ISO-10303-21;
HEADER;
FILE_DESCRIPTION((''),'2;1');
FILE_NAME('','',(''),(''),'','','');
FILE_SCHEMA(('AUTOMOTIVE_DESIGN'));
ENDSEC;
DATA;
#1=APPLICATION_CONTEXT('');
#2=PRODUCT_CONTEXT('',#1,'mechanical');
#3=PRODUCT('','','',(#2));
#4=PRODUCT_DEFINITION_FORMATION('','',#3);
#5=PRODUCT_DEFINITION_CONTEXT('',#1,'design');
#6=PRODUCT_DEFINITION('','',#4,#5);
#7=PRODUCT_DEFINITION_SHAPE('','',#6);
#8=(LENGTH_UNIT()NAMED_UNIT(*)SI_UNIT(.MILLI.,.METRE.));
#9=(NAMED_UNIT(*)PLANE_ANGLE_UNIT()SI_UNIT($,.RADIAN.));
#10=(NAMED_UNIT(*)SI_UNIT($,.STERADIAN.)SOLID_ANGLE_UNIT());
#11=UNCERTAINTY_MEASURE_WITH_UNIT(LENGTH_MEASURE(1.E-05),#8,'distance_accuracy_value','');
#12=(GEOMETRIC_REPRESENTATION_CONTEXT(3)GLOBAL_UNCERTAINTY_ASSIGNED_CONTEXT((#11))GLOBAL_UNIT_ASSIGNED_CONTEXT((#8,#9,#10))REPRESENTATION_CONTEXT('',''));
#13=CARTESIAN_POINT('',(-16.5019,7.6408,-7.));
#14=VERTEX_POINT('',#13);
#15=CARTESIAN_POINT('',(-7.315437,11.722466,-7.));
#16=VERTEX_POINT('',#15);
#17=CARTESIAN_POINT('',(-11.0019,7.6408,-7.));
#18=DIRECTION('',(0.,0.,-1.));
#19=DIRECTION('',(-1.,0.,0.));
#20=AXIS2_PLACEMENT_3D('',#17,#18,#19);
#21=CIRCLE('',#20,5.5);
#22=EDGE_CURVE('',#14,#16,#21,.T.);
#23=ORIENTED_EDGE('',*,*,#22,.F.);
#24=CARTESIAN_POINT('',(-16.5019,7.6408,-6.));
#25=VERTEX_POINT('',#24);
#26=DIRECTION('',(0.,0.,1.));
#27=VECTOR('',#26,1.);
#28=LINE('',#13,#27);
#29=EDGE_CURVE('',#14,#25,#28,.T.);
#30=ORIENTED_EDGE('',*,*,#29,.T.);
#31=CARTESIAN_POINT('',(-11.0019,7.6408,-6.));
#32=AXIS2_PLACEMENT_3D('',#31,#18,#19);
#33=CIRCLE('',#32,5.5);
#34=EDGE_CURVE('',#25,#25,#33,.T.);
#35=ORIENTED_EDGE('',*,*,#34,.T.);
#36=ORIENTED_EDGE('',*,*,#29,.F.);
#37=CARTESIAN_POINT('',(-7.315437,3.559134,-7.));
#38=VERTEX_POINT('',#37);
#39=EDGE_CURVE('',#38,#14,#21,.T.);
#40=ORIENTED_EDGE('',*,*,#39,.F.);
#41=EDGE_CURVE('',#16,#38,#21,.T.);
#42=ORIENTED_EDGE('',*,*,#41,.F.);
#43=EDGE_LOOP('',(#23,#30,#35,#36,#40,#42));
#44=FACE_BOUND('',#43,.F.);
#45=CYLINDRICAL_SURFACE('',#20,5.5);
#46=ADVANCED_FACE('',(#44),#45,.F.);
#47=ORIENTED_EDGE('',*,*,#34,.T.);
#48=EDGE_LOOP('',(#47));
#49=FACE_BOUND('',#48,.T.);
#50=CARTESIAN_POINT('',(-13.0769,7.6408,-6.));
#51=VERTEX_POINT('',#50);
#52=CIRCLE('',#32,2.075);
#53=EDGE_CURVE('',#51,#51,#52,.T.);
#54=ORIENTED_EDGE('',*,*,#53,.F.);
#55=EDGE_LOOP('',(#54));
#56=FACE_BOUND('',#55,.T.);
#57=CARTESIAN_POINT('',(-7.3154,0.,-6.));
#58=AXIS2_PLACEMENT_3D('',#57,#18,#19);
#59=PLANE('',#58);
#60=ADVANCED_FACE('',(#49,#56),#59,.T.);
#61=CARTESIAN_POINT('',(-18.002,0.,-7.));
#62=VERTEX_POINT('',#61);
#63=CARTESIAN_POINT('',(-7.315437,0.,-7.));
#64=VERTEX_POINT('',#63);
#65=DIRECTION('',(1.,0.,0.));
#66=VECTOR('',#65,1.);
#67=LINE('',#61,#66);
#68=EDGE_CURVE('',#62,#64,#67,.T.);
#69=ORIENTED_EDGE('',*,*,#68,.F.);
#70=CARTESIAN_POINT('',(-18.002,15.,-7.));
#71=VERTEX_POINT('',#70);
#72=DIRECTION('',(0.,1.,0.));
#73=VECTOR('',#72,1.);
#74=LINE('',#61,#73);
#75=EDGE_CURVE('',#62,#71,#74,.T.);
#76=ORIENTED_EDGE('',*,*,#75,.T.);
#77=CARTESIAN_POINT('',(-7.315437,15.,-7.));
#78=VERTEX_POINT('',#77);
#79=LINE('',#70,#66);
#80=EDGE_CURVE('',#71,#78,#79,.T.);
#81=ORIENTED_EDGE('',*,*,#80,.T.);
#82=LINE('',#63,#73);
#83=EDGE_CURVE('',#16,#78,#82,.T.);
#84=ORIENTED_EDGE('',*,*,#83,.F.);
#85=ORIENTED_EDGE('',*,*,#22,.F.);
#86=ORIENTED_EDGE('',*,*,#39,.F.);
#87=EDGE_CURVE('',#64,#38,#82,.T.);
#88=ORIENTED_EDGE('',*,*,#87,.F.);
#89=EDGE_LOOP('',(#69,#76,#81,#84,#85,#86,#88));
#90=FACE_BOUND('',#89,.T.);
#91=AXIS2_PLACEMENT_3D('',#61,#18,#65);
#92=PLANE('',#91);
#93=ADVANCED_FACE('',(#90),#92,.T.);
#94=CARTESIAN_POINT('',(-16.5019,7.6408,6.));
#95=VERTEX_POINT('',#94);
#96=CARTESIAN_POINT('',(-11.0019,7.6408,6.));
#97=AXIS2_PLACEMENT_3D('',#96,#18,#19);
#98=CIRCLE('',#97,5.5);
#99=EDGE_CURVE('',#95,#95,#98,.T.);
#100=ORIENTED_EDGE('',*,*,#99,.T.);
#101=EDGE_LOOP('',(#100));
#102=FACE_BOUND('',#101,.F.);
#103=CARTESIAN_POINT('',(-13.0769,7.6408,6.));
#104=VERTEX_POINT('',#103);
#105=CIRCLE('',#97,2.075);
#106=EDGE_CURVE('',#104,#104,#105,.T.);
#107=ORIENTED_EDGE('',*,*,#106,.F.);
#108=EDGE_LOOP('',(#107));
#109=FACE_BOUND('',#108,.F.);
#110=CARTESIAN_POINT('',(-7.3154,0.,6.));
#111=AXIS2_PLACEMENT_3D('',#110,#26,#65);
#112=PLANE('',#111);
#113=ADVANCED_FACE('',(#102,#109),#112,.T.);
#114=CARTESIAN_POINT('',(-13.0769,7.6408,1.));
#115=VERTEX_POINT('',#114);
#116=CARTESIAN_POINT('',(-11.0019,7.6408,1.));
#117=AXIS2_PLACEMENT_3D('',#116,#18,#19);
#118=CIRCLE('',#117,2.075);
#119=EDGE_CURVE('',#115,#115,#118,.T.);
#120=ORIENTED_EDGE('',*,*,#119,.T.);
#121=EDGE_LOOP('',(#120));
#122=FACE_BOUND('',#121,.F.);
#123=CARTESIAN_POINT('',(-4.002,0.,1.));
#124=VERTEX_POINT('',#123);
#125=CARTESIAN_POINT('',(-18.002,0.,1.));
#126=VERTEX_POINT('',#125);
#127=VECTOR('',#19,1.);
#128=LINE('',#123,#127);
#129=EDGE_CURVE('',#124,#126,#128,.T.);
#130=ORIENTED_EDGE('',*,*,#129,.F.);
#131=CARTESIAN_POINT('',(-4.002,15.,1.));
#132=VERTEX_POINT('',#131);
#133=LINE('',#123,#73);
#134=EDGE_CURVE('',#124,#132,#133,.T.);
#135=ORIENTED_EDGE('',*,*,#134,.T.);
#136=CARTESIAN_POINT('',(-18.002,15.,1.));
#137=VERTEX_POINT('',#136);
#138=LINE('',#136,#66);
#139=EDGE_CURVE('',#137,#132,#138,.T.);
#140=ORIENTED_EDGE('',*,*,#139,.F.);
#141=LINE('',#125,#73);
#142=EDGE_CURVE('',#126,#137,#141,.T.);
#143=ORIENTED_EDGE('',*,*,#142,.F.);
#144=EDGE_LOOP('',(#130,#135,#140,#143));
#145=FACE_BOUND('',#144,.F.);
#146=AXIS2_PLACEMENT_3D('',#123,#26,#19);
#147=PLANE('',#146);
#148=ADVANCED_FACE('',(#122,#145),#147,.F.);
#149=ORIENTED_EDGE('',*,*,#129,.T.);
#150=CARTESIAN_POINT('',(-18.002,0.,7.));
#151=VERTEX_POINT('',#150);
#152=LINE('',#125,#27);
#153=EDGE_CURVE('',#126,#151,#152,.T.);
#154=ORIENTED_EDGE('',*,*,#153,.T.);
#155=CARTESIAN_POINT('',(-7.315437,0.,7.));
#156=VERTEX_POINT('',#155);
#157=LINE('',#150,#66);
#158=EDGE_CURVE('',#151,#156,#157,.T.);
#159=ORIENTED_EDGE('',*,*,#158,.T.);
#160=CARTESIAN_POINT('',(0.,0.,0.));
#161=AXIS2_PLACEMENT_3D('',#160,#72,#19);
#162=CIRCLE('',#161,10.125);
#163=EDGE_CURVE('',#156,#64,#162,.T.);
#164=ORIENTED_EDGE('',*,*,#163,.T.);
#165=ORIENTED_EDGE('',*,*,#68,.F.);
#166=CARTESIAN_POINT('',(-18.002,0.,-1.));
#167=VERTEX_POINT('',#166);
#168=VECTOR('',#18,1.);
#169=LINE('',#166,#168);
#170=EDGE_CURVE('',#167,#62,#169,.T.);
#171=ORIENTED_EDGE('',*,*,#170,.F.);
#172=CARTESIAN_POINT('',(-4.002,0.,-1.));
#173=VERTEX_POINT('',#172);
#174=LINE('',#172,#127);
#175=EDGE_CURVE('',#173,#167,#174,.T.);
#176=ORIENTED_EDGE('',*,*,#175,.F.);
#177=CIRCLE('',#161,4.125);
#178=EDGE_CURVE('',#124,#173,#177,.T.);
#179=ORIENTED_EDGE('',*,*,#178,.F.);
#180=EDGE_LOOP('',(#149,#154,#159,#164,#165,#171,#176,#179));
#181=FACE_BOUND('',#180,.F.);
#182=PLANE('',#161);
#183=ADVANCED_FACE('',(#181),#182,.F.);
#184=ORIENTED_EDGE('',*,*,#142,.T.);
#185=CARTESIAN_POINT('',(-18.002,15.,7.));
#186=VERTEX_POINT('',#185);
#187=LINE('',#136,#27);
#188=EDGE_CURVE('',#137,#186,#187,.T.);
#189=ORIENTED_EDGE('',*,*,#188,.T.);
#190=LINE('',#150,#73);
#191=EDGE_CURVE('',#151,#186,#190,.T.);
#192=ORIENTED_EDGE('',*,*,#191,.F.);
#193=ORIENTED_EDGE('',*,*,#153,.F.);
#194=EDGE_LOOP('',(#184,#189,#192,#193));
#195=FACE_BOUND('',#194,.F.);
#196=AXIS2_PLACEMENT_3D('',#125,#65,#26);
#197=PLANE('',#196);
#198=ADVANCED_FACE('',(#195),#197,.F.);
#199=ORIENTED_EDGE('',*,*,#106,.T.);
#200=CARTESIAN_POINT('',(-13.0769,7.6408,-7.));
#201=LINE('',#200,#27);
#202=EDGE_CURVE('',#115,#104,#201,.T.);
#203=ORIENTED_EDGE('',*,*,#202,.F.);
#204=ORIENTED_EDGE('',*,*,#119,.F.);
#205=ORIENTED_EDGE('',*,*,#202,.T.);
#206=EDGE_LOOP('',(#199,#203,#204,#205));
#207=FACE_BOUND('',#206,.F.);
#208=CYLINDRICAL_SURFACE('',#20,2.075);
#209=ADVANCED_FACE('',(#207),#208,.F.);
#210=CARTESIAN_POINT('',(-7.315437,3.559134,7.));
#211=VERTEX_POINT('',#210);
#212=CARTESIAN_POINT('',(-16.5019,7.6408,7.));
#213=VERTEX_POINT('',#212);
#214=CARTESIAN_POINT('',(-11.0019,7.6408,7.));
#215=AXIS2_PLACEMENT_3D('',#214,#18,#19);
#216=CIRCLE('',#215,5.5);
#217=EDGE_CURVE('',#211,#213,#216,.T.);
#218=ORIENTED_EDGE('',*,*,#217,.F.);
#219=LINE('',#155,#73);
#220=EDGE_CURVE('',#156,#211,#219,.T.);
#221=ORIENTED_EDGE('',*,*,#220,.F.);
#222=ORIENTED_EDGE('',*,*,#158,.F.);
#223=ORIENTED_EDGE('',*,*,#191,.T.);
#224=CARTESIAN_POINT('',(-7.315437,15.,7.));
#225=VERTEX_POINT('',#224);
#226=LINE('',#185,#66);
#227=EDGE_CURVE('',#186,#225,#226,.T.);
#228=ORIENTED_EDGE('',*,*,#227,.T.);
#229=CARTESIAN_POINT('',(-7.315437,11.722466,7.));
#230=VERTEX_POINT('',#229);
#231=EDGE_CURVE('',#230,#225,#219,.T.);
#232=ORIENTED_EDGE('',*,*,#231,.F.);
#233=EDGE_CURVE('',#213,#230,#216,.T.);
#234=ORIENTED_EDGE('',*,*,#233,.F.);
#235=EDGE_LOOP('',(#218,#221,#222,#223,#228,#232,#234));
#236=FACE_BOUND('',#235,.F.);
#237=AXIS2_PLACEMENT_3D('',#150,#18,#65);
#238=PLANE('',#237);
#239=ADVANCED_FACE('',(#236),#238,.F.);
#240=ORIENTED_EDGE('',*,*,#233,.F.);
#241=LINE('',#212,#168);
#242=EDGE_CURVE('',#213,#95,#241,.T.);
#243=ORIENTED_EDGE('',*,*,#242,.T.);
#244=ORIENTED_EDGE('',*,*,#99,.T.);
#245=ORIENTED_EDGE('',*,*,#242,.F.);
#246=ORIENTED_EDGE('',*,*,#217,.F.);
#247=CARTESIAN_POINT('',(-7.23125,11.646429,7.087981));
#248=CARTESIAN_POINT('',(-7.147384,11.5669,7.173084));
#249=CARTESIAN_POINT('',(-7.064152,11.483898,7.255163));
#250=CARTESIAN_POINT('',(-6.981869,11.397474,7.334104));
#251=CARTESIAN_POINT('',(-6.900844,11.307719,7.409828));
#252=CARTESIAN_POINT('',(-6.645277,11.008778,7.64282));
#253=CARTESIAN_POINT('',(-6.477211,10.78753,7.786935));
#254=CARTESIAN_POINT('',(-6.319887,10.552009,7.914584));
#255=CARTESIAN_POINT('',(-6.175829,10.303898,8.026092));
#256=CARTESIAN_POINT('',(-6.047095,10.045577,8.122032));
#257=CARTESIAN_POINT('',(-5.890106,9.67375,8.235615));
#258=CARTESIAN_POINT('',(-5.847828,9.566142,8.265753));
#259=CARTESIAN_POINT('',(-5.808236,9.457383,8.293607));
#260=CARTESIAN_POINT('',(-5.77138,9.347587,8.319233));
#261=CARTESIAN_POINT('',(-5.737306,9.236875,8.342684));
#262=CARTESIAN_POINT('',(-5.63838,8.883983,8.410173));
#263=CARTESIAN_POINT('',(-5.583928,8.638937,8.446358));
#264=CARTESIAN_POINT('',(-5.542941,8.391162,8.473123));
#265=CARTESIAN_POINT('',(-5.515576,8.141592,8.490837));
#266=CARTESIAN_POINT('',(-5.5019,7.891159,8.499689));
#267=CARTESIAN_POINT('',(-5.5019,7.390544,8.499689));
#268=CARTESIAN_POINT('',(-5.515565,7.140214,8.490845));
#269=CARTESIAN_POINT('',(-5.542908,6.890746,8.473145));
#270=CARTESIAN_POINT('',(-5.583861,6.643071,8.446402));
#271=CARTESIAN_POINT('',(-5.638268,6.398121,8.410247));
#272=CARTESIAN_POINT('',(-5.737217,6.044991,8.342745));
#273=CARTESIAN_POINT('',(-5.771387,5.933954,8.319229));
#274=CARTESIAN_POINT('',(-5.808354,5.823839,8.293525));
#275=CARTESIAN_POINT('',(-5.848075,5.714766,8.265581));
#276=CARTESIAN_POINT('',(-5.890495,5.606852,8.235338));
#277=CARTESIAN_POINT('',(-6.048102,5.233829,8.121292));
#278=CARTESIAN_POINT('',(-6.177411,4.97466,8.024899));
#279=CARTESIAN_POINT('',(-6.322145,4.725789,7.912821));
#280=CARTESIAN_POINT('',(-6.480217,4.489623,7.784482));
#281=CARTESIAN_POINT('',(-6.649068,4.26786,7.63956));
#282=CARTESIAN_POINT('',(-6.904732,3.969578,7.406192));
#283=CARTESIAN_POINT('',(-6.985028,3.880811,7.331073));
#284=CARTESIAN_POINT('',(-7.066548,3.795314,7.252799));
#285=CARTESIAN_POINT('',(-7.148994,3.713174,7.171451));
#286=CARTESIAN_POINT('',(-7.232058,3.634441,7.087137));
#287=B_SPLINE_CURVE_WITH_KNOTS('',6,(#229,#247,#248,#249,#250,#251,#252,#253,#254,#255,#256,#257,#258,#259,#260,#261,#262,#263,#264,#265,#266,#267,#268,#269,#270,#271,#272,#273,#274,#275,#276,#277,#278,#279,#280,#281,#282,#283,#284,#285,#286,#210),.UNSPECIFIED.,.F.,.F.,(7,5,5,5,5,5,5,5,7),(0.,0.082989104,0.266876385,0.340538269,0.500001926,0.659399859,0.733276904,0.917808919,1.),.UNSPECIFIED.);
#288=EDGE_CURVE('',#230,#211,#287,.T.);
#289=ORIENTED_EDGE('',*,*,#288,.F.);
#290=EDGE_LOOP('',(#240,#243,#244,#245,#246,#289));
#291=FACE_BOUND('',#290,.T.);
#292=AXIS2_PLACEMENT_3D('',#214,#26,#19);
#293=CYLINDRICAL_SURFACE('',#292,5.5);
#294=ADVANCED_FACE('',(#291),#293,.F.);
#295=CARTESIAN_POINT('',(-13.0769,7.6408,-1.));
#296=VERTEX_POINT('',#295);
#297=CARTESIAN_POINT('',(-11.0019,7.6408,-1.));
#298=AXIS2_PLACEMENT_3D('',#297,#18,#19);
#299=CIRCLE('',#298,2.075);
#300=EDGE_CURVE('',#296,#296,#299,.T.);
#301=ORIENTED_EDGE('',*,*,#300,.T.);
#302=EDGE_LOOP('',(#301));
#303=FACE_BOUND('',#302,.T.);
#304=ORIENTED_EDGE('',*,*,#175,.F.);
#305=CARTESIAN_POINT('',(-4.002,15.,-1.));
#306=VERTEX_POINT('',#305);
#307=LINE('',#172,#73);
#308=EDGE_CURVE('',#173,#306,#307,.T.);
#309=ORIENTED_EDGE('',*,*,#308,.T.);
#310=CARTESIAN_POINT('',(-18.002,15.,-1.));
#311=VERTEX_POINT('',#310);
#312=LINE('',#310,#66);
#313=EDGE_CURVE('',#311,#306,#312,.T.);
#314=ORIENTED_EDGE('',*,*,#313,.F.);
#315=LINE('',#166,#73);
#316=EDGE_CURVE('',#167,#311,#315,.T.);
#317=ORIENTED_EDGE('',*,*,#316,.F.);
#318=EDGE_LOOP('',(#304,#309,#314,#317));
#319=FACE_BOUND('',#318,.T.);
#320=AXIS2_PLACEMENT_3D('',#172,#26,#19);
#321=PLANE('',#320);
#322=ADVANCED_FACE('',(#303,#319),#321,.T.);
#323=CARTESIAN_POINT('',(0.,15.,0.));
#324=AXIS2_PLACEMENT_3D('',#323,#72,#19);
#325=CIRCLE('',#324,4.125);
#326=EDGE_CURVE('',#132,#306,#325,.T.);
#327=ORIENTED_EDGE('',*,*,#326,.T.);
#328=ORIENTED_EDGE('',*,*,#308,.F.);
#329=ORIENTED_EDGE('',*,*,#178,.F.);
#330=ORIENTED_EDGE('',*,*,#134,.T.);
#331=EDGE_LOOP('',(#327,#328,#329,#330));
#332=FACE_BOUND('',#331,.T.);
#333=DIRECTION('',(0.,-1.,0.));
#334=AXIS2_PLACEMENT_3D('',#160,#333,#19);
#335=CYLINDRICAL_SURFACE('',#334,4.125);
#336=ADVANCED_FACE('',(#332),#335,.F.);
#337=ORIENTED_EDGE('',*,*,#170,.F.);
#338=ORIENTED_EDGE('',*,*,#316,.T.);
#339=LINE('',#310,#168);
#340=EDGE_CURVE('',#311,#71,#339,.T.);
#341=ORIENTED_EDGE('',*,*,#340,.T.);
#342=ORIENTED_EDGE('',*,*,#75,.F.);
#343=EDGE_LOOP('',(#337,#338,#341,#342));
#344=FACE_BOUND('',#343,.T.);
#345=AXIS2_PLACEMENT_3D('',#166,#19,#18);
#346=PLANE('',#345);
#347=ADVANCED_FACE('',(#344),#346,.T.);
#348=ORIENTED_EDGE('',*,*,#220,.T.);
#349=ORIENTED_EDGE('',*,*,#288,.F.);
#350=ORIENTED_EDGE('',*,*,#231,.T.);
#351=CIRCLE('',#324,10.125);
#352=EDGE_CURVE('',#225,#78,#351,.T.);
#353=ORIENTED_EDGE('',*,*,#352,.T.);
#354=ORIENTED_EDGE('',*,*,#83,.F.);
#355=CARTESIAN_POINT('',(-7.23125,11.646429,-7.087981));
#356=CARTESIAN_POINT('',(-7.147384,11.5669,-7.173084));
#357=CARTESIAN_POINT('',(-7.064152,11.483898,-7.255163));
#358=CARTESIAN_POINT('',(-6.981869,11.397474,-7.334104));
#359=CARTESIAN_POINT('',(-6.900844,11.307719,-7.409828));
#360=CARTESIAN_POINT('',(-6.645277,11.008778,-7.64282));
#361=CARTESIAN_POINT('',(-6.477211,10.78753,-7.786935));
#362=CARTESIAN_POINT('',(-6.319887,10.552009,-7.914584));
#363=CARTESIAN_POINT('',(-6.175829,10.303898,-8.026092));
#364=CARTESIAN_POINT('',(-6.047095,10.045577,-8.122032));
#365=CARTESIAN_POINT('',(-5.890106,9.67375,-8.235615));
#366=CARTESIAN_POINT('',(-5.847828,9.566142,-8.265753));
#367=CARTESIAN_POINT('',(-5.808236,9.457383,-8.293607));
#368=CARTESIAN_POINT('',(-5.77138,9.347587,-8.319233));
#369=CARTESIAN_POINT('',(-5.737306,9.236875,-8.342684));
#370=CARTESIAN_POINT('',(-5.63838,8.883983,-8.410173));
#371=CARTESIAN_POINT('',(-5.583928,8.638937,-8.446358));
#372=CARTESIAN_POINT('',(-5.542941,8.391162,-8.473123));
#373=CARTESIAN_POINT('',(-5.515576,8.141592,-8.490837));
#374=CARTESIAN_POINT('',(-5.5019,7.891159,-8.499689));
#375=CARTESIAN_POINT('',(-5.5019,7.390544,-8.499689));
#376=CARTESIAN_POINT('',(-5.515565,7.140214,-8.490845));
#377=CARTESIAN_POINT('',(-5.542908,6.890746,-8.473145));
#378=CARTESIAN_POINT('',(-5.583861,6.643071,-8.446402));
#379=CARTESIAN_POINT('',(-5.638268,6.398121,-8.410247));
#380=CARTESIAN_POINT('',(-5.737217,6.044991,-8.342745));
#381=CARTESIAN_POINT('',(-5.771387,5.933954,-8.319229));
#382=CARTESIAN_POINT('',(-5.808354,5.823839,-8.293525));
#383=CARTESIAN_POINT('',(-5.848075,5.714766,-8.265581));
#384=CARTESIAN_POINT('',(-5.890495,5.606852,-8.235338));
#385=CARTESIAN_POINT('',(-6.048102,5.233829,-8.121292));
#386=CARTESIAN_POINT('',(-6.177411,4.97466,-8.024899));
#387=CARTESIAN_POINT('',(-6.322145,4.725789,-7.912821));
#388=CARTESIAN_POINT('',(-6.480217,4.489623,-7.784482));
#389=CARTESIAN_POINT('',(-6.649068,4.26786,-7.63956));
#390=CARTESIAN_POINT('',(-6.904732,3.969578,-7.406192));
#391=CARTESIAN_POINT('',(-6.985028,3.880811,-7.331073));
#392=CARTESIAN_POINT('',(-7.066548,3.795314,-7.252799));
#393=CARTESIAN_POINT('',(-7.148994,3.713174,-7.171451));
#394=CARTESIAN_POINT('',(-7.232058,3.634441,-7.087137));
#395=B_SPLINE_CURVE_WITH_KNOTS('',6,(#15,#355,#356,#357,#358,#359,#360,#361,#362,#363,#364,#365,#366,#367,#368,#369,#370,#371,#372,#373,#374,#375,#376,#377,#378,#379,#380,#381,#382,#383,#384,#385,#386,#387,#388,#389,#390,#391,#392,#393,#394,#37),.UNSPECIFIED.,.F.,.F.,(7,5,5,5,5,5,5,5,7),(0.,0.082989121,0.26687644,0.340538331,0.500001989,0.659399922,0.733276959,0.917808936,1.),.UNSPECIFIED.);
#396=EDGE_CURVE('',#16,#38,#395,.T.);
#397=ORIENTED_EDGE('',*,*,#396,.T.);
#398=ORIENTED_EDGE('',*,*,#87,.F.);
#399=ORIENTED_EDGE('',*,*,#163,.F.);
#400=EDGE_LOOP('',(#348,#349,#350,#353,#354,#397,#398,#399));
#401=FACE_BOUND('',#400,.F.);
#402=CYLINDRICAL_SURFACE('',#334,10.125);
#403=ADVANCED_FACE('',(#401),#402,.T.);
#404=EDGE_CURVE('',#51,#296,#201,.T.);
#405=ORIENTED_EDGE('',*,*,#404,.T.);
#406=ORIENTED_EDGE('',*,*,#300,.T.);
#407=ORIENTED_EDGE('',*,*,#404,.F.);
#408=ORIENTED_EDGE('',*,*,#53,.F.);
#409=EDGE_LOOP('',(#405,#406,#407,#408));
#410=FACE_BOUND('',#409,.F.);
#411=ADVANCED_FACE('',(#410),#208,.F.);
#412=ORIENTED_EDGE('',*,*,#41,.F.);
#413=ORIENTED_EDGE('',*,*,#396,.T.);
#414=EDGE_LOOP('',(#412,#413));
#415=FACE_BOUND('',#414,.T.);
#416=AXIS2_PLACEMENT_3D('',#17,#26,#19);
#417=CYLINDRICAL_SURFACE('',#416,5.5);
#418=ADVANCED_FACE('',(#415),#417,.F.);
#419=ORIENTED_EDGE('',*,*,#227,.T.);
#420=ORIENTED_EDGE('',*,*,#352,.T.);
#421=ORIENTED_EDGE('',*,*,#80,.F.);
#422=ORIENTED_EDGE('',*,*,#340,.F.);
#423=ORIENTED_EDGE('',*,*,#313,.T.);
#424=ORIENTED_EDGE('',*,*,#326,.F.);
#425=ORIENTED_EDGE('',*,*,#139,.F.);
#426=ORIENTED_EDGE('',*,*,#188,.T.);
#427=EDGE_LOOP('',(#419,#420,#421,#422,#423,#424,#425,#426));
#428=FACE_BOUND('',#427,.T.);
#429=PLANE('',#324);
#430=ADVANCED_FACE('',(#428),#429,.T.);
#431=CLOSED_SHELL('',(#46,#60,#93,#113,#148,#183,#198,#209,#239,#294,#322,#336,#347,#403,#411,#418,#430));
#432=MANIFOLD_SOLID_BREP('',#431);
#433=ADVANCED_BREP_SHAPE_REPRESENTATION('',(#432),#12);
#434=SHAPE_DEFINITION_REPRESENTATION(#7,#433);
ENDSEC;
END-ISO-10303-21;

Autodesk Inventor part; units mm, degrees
ref_plane "YZ Plane" through (0, 0, 0) normal (1, 0, 0) x (0, 1, 0)
ref_plane "XZ Plane" through (0, 0, 0) normal (0, 1, 0) x (-1, 0, 0)
sketch "Sketch1" plane through (0, 0, 0) normal (0, 1, 0) x (-1, 0, 0)
  circle A0 centre (0, 0) radius 4.125
  circle A1 centre (0, 0) radius 10.125
  line L0 (4.002, 1) -> (18.002, 1)
  line L1 (18.002, 1) -> (18.002, 7)
  line L2 (18.002, 7) -> (4.002, 7)
  line L3 (4.002, 7) -> (4.002, 1)
  line L4 (-15, 0) -> (15, 0) construction
  line L5 (-15, 0) -> (15, 0) construction
  line L6 (4.002, -1) -> (18.002, -1)
  line L7 (18.002, -1) -> (18.002, -7)
  line L8 (18.002, -7) -> (4.002, -7)
  line L9 (4.002, -7) -> (4.002, -1)
  point P0 (7.3154, 7)
  point P1 (7.3154, -7)
  point P2 (10.0755, -1)
  point P3 (4.0946, -5.2082)
  point P4 (4.002, -1)
  point P5 (4.0946, 5.2082)
  point P6 (10.0755, 1)
  dimension "eje" = 8.25
  dimension "diam_externo" = 20.25
  dimension "sep" = 1
  dimension "guia_central" = 30
  dimension "d4" = 0
  dimension "lengueta_espesor" = 6
  dimension "lengueta_alto" = 14
extrude "abrazadera" add sketch "Sketch1" along normal blind 15 contours L3 L2 A1 L0 | A0 L9 L8 A1 L2 L3 | L6 A1 L8 L9 | A1 L2 L1 L0 | L6 L7 L8 A1
sketch "Sketch5" plane through (-7.3154, 0, -7) normal (0, 0, -1) x (-1, 0, 0)
  circle A0 centre (3.6865, 7.6408) radius 2.075
  line L0 (-3.3135, 0) -> (-3.3135, 15) projected
  point P0 (-7.3154, 0)
  dimension "hueco_tornillo" = 4.15
  dimension "hueco_tornillo_distancia" = 7
extrude "tornillo" cut sketch "Sketch5" against normal blind 14
sketch "Sketch6" plane through (-7.3154, 0, -7) normal (0, 0, -1) x (-1, 0, 0)
  circle A0 centre (3.6865, 7.6408) radius 2.075 projected
  circle A1 centre (3.6865, 7.6408) radius 5.5
  point P0 (-7.3154, 0)
  dimension "arandela" = 11
extrude "arandela" cut sketch "Sketch6" along normal blind 5 and the other way blind 1
ref_plane "Work Plane1" through (-7.3154, 0, 0) normal (0, 0, -1) x (-1, 0, 0)
mirror "Mirror1" about plane through (-7.3154, 0, 0) normal (0, 0, -1) of "arandela"
equation "\"diam_externo\" = eje + 2 * espesor"
equation "\"lengueta_espesor\" = espesor"
equation "\"hueco_tornillo_agujero\" = 2 * sep + 2 * lengueta_espesor"
equation "\"espesor\" = 6"
properties part number "Abrazadera"
